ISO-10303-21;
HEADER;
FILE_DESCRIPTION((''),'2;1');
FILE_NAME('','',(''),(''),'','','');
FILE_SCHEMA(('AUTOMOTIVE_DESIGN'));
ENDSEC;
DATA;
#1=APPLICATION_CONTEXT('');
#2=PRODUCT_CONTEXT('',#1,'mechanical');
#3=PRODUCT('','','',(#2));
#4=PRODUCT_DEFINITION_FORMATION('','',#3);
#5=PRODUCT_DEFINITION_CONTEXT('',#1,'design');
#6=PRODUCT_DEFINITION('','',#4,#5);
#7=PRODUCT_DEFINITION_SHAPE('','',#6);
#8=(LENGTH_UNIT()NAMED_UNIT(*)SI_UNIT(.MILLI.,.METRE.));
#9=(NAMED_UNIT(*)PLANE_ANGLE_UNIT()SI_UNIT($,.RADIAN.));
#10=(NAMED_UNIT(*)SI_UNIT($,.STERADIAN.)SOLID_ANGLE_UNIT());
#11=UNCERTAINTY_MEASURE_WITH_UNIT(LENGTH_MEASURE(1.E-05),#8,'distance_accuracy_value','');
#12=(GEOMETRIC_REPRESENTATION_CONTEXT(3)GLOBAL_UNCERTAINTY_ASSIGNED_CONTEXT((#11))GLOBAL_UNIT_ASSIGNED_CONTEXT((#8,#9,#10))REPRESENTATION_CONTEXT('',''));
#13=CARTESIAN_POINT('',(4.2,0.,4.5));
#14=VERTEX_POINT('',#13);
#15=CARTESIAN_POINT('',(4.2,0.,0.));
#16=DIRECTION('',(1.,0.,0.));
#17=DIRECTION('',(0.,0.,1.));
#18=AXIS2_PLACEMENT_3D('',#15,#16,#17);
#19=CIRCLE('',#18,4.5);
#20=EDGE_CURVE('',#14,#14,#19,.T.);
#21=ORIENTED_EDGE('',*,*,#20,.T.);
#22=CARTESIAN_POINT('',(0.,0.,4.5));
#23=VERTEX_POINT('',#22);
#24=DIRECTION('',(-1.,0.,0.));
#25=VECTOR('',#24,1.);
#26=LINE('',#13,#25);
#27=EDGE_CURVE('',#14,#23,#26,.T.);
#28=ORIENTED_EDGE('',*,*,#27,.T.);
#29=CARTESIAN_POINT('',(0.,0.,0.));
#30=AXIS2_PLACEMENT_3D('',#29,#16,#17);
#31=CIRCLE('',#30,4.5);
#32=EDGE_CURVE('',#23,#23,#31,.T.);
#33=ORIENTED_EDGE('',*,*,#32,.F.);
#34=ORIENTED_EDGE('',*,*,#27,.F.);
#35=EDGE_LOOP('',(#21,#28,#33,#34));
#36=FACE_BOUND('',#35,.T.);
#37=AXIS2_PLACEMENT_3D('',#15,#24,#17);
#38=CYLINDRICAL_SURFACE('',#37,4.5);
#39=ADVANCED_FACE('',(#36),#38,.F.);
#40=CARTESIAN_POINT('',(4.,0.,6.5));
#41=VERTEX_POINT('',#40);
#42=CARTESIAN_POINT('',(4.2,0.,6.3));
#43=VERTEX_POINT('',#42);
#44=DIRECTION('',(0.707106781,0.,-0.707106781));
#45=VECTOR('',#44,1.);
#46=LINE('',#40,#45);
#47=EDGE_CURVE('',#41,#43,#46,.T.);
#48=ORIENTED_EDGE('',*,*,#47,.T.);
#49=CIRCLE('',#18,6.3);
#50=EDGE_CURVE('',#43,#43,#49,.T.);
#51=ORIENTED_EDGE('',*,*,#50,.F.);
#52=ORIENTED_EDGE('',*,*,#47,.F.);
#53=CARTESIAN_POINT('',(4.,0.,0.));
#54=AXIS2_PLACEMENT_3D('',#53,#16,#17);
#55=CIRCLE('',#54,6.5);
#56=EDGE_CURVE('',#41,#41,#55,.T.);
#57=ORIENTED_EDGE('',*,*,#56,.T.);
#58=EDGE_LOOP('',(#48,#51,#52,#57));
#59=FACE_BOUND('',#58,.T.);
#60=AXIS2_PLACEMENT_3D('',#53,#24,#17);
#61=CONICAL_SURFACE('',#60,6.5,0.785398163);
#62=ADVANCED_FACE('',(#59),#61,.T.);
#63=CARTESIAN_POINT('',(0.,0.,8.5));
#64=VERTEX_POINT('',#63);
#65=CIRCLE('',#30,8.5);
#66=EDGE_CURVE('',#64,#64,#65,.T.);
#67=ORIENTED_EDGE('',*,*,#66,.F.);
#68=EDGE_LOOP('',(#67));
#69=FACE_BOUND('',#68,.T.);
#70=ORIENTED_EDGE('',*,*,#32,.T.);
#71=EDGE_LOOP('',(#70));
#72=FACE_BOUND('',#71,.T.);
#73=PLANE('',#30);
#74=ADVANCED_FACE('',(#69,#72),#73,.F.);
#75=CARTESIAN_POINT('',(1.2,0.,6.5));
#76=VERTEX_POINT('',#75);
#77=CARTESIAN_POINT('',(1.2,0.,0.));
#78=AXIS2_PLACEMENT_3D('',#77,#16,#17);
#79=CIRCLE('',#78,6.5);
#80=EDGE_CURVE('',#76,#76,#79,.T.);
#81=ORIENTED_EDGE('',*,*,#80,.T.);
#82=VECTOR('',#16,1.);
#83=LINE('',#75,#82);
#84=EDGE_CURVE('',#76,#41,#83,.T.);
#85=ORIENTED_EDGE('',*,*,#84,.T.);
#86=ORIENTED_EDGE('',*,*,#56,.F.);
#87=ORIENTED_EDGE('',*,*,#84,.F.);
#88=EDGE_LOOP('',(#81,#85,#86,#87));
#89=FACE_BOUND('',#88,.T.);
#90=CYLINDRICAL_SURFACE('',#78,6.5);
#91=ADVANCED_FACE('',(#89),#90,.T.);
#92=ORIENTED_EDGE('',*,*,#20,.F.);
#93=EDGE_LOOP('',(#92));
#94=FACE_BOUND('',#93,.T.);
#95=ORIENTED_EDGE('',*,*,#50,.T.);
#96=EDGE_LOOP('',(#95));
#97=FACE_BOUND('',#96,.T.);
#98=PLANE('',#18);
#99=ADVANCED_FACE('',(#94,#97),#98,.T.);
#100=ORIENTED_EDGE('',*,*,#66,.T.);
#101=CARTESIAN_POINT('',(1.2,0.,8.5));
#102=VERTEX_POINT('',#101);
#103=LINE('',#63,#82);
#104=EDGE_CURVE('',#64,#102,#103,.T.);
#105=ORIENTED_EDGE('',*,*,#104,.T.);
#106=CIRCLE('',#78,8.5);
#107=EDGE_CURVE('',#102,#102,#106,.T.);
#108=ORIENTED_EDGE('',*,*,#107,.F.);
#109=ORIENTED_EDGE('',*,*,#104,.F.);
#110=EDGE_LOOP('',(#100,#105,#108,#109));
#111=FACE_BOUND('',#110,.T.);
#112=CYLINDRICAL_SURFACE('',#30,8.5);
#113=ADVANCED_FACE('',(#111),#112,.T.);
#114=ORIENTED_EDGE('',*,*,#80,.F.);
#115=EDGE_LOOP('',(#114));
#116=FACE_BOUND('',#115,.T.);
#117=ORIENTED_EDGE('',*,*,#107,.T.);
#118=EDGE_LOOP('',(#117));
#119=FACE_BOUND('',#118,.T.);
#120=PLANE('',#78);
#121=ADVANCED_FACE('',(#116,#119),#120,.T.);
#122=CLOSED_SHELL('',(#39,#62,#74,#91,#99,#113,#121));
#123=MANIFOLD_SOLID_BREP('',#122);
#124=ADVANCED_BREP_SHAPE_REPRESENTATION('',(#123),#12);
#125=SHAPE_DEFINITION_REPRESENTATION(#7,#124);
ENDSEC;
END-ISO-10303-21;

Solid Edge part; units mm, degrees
sketch "Sketch1" plane through (0, 0, 0) normal (0, -1, 0) x (1, 0, 0)
  line L0 (4.2, 4.5) -> (0, 4.5)
  line L1 (0, 4.5) -> (0, 8.5)
  line L2 (0, 8.5) -> (1.2, 8.5)
  line L3 (1.2, 8.5) -> (1.2, 6.5)
  line L4 (1.2, 6.5) -> (4.2, 6.5)
  line L5 (4.2, 6.5) -> (4.2, 4.5)
revolve "RevolvedProtrusion1" add sketch "Sketch1" angle 360 about axis through (0, 0, 0) along (1, 0, 0)
chamfer "Chamfer1" distance 0.2 angle 45 1 edges at (4.2, 0, -6.5)
